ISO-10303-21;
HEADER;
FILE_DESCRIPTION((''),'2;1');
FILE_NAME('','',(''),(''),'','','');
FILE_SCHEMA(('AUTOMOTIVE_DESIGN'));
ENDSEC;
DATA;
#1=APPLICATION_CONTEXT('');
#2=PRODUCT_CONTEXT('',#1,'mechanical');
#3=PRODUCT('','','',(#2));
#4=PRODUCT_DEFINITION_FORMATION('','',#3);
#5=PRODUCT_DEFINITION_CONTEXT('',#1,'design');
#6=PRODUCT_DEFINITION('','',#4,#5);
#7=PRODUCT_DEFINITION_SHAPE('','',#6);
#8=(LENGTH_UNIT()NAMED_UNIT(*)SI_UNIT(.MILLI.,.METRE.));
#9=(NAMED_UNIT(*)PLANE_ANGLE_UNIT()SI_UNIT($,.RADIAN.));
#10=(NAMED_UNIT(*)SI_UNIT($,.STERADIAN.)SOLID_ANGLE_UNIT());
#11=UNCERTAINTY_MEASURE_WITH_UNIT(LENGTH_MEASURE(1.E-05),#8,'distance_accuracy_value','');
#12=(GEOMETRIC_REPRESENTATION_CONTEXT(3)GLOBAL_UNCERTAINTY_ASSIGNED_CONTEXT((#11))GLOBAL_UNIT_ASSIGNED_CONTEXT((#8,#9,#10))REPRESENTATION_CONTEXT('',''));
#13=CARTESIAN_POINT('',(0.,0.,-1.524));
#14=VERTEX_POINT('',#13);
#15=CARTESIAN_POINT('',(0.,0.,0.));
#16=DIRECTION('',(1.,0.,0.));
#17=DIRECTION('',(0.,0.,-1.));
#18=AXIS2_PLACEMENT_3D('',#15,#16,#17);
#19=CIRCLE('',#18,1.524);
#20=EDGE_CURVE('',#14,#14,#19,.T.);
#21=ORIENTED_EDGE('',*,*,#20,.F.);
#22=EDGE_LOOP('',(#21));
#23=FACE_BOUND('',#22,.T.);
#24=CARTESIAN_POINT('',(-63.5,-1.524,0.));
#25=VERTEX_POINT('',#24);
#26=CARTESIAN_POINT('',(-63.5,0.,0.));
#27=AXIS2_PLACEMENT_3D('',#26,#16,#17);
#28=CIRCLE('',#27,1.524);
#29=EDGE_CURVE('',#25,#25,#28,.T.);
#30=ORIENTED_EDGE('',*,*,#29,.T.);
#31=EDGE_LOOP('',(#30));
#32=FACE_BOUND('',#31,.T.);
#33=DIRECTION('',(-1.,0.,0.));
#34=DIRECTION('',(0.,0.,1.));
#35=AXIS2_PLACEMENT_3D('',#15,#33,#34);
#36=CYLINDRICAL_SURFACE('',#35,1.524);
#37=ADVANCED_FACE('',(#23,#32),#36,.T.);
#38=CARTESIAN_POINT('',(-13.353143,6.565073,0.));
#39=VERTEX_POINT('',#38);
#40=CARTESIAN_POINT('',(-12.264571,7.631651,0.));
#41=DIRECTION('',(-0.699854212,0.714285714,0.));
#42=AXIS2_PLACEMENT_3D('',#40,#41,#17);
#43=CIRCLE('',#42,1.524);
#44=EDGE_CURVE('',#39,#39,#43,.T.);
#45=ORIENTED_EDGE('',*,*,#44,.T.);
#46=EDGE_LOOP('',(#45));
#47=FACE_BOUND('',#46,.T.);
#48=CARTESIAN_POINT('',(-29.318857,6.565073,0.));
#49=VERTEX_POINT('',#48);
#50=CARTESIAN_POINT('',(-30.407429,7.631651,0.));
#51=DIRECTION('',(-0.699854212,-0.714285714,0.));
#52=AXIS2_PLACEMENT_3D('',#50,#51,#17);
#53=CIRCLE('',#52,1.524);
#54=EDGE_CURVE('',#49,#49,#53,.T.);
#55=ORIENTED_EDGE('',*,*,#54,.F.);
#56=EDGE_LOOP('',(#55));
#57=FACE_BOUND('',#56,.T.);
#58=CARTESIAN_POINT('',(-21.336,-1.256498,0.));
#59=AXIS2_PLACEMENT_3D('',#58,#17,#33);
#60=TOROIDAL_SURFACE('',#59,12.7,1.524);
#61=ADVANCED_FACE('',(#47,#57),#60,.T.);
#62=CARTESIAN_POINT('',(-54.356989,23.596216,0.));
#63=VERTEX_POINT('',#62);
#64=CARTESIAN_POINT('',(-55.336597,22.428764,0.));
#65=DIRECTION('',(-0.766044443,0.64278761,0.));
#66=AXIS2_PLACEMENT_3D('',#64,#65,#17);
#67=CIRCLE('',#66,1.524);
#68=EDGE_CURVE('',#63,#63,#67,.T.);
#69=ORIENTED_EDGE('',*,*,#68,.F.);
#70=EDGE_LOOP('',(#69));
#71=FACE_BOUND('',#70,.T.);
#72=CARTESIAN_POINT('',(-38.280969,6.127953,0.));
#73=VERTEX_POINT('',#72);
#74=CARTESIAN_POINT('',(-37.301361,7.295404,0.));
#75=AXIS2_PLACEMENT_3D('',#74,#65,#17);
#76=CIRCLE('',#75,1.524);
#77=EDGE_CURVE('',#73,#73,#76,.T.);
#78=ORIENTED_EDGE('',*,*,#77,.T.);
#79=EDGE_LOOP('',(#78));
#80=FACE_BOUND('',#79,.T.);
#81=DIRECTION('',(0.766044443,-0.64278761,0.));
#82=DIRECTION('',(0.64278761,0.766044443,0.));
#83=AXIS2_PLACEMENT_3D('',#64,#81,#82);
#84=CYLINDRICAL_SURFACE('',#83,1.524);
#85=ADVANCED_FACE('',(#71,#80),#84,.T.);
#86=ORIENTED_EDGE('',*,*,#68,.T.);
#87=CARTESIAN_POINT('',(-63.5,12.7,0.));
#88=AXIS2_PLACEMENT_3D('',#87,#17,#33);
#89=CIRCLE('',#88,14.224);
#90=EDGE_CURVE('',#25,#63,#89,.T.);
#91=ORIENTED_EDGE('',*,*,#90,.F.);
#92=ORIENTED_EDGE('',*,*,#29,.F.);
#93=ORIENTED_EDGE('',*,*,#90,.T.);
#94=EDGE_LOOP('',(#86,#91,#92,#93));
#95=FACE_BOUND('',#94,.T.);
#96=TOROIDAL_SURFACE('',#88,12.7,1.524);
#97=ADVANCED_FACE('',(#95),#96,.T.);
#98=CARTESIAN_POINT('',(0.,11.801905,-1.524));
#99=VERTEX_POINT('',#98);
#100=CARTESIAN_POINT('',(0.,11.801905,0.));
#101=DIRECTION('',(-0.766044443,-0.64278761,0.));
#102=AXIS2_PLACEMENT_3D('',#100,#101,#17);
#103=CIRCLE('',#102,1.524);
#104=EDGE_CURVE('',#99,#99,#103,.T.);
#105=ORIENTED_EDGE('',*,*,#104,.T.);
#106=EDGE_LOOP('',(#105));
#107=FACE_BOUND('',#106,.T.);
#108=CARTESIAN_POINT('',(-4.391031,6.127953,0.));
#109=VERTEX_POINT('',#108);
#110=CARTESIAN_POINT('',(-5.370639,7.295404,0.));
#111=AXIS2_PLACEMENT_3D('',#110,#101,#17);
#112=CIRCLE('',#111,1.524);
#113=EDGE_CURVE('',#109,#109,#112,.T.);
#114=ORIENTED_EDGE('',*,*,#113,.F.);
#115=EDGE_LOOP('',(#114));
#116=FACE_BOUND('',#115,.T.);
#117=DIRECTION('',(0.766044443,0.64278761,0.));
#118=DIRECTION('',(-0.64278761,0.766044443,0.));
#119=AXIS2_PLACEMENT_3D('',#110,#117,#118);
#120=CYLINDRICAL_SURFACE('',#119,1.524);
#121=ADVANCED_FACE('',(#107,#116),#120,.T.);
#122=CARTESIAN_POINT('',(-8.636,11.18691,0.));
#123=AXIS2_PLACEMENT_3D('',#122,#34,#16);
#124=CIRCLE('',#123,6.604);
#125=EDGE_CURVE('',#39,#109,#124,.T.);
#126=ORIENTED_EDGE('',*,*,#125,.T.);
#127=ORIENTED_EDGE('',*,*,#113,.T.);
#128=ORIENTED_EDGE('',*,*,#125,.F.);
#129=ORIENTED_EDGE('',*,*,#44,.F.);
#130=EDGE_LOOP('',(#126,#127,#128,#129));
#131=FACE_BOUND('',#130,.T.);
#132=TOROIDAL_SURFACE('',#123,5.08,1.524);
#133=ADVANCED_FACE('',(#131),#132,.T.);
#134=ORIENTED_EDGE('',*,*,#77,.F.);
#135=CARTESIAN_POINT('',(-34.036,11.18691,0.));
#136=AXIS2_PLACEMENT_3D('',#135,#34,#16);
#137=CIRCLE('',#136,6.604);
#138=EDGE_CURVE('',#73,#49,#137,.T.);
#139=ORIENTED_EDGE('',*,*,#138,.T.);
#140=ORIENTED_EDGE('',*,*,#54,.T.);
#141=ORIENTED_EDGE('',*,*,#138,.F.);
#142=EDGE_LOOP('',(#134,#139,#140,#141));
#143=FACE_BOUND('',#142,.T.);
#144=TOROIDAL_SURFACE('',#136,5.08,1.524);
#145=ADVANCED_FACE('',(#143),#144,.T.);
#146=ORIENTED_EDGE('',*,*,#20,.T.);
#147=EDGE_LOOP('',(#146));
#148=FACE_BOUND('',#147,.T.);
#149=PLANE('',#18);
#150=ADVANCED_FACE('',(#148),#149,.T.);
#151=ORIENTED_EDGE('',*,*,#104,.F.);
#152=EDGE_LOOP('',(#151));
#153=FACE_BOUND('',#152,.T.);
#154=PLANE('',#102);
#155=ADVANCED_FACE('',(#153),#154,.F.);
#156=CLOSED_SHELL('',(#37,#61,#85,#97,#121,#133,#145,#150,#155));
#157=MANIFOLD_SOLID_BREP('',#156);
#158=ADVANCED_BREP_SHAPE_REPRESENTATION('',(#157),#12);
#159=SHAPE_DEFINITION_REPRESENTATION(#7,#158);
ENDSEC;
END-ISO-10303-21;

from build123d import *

# Parameters (mm, degrees)
SKETCH2_R = 1.524


with BuildPart() as part:
    # Sweep1: sweep along a path in Sketch1
    with BuildLine(Plane.XY) as sweep1_path:
        Line((0, 0), (-63.5, 0))
        ThreePointArc((-63.5, 0), (-75.434096284, 17.04365582), (-55.336597357, 22.428764428))
        Line((-55.336597357, 22.428764428), (-37.301361057, 7.2954043))
        ThreePointArc((-37.301361057, 7.2954043), (-33.788521012, 6.112941787), (-30.407428571, 7.631650673))
        ThreePointArc((-30.407428571, 7.631650673), (-21.336, 11.443502178), (-12.264571429, 7.631650673))
        ThreePointArc((-12.264571429, 7.631650673), (-8.883478988, 6.112941787), (-5.370638943, 7.2954043))
        Line((-5.370638943, 7.2954043), (0, 11.801905456))
    # Sketch2 → Sweep1 (sweep)
    with BuildSketch(Plane(origin=(0, 0, 0), x_dir=(0, 0, -1), z_dir=(1, 0, 0))):
        Circle(SKETCH2_R)
    sweep(path=sweep1_path.line)


solid = part.part
